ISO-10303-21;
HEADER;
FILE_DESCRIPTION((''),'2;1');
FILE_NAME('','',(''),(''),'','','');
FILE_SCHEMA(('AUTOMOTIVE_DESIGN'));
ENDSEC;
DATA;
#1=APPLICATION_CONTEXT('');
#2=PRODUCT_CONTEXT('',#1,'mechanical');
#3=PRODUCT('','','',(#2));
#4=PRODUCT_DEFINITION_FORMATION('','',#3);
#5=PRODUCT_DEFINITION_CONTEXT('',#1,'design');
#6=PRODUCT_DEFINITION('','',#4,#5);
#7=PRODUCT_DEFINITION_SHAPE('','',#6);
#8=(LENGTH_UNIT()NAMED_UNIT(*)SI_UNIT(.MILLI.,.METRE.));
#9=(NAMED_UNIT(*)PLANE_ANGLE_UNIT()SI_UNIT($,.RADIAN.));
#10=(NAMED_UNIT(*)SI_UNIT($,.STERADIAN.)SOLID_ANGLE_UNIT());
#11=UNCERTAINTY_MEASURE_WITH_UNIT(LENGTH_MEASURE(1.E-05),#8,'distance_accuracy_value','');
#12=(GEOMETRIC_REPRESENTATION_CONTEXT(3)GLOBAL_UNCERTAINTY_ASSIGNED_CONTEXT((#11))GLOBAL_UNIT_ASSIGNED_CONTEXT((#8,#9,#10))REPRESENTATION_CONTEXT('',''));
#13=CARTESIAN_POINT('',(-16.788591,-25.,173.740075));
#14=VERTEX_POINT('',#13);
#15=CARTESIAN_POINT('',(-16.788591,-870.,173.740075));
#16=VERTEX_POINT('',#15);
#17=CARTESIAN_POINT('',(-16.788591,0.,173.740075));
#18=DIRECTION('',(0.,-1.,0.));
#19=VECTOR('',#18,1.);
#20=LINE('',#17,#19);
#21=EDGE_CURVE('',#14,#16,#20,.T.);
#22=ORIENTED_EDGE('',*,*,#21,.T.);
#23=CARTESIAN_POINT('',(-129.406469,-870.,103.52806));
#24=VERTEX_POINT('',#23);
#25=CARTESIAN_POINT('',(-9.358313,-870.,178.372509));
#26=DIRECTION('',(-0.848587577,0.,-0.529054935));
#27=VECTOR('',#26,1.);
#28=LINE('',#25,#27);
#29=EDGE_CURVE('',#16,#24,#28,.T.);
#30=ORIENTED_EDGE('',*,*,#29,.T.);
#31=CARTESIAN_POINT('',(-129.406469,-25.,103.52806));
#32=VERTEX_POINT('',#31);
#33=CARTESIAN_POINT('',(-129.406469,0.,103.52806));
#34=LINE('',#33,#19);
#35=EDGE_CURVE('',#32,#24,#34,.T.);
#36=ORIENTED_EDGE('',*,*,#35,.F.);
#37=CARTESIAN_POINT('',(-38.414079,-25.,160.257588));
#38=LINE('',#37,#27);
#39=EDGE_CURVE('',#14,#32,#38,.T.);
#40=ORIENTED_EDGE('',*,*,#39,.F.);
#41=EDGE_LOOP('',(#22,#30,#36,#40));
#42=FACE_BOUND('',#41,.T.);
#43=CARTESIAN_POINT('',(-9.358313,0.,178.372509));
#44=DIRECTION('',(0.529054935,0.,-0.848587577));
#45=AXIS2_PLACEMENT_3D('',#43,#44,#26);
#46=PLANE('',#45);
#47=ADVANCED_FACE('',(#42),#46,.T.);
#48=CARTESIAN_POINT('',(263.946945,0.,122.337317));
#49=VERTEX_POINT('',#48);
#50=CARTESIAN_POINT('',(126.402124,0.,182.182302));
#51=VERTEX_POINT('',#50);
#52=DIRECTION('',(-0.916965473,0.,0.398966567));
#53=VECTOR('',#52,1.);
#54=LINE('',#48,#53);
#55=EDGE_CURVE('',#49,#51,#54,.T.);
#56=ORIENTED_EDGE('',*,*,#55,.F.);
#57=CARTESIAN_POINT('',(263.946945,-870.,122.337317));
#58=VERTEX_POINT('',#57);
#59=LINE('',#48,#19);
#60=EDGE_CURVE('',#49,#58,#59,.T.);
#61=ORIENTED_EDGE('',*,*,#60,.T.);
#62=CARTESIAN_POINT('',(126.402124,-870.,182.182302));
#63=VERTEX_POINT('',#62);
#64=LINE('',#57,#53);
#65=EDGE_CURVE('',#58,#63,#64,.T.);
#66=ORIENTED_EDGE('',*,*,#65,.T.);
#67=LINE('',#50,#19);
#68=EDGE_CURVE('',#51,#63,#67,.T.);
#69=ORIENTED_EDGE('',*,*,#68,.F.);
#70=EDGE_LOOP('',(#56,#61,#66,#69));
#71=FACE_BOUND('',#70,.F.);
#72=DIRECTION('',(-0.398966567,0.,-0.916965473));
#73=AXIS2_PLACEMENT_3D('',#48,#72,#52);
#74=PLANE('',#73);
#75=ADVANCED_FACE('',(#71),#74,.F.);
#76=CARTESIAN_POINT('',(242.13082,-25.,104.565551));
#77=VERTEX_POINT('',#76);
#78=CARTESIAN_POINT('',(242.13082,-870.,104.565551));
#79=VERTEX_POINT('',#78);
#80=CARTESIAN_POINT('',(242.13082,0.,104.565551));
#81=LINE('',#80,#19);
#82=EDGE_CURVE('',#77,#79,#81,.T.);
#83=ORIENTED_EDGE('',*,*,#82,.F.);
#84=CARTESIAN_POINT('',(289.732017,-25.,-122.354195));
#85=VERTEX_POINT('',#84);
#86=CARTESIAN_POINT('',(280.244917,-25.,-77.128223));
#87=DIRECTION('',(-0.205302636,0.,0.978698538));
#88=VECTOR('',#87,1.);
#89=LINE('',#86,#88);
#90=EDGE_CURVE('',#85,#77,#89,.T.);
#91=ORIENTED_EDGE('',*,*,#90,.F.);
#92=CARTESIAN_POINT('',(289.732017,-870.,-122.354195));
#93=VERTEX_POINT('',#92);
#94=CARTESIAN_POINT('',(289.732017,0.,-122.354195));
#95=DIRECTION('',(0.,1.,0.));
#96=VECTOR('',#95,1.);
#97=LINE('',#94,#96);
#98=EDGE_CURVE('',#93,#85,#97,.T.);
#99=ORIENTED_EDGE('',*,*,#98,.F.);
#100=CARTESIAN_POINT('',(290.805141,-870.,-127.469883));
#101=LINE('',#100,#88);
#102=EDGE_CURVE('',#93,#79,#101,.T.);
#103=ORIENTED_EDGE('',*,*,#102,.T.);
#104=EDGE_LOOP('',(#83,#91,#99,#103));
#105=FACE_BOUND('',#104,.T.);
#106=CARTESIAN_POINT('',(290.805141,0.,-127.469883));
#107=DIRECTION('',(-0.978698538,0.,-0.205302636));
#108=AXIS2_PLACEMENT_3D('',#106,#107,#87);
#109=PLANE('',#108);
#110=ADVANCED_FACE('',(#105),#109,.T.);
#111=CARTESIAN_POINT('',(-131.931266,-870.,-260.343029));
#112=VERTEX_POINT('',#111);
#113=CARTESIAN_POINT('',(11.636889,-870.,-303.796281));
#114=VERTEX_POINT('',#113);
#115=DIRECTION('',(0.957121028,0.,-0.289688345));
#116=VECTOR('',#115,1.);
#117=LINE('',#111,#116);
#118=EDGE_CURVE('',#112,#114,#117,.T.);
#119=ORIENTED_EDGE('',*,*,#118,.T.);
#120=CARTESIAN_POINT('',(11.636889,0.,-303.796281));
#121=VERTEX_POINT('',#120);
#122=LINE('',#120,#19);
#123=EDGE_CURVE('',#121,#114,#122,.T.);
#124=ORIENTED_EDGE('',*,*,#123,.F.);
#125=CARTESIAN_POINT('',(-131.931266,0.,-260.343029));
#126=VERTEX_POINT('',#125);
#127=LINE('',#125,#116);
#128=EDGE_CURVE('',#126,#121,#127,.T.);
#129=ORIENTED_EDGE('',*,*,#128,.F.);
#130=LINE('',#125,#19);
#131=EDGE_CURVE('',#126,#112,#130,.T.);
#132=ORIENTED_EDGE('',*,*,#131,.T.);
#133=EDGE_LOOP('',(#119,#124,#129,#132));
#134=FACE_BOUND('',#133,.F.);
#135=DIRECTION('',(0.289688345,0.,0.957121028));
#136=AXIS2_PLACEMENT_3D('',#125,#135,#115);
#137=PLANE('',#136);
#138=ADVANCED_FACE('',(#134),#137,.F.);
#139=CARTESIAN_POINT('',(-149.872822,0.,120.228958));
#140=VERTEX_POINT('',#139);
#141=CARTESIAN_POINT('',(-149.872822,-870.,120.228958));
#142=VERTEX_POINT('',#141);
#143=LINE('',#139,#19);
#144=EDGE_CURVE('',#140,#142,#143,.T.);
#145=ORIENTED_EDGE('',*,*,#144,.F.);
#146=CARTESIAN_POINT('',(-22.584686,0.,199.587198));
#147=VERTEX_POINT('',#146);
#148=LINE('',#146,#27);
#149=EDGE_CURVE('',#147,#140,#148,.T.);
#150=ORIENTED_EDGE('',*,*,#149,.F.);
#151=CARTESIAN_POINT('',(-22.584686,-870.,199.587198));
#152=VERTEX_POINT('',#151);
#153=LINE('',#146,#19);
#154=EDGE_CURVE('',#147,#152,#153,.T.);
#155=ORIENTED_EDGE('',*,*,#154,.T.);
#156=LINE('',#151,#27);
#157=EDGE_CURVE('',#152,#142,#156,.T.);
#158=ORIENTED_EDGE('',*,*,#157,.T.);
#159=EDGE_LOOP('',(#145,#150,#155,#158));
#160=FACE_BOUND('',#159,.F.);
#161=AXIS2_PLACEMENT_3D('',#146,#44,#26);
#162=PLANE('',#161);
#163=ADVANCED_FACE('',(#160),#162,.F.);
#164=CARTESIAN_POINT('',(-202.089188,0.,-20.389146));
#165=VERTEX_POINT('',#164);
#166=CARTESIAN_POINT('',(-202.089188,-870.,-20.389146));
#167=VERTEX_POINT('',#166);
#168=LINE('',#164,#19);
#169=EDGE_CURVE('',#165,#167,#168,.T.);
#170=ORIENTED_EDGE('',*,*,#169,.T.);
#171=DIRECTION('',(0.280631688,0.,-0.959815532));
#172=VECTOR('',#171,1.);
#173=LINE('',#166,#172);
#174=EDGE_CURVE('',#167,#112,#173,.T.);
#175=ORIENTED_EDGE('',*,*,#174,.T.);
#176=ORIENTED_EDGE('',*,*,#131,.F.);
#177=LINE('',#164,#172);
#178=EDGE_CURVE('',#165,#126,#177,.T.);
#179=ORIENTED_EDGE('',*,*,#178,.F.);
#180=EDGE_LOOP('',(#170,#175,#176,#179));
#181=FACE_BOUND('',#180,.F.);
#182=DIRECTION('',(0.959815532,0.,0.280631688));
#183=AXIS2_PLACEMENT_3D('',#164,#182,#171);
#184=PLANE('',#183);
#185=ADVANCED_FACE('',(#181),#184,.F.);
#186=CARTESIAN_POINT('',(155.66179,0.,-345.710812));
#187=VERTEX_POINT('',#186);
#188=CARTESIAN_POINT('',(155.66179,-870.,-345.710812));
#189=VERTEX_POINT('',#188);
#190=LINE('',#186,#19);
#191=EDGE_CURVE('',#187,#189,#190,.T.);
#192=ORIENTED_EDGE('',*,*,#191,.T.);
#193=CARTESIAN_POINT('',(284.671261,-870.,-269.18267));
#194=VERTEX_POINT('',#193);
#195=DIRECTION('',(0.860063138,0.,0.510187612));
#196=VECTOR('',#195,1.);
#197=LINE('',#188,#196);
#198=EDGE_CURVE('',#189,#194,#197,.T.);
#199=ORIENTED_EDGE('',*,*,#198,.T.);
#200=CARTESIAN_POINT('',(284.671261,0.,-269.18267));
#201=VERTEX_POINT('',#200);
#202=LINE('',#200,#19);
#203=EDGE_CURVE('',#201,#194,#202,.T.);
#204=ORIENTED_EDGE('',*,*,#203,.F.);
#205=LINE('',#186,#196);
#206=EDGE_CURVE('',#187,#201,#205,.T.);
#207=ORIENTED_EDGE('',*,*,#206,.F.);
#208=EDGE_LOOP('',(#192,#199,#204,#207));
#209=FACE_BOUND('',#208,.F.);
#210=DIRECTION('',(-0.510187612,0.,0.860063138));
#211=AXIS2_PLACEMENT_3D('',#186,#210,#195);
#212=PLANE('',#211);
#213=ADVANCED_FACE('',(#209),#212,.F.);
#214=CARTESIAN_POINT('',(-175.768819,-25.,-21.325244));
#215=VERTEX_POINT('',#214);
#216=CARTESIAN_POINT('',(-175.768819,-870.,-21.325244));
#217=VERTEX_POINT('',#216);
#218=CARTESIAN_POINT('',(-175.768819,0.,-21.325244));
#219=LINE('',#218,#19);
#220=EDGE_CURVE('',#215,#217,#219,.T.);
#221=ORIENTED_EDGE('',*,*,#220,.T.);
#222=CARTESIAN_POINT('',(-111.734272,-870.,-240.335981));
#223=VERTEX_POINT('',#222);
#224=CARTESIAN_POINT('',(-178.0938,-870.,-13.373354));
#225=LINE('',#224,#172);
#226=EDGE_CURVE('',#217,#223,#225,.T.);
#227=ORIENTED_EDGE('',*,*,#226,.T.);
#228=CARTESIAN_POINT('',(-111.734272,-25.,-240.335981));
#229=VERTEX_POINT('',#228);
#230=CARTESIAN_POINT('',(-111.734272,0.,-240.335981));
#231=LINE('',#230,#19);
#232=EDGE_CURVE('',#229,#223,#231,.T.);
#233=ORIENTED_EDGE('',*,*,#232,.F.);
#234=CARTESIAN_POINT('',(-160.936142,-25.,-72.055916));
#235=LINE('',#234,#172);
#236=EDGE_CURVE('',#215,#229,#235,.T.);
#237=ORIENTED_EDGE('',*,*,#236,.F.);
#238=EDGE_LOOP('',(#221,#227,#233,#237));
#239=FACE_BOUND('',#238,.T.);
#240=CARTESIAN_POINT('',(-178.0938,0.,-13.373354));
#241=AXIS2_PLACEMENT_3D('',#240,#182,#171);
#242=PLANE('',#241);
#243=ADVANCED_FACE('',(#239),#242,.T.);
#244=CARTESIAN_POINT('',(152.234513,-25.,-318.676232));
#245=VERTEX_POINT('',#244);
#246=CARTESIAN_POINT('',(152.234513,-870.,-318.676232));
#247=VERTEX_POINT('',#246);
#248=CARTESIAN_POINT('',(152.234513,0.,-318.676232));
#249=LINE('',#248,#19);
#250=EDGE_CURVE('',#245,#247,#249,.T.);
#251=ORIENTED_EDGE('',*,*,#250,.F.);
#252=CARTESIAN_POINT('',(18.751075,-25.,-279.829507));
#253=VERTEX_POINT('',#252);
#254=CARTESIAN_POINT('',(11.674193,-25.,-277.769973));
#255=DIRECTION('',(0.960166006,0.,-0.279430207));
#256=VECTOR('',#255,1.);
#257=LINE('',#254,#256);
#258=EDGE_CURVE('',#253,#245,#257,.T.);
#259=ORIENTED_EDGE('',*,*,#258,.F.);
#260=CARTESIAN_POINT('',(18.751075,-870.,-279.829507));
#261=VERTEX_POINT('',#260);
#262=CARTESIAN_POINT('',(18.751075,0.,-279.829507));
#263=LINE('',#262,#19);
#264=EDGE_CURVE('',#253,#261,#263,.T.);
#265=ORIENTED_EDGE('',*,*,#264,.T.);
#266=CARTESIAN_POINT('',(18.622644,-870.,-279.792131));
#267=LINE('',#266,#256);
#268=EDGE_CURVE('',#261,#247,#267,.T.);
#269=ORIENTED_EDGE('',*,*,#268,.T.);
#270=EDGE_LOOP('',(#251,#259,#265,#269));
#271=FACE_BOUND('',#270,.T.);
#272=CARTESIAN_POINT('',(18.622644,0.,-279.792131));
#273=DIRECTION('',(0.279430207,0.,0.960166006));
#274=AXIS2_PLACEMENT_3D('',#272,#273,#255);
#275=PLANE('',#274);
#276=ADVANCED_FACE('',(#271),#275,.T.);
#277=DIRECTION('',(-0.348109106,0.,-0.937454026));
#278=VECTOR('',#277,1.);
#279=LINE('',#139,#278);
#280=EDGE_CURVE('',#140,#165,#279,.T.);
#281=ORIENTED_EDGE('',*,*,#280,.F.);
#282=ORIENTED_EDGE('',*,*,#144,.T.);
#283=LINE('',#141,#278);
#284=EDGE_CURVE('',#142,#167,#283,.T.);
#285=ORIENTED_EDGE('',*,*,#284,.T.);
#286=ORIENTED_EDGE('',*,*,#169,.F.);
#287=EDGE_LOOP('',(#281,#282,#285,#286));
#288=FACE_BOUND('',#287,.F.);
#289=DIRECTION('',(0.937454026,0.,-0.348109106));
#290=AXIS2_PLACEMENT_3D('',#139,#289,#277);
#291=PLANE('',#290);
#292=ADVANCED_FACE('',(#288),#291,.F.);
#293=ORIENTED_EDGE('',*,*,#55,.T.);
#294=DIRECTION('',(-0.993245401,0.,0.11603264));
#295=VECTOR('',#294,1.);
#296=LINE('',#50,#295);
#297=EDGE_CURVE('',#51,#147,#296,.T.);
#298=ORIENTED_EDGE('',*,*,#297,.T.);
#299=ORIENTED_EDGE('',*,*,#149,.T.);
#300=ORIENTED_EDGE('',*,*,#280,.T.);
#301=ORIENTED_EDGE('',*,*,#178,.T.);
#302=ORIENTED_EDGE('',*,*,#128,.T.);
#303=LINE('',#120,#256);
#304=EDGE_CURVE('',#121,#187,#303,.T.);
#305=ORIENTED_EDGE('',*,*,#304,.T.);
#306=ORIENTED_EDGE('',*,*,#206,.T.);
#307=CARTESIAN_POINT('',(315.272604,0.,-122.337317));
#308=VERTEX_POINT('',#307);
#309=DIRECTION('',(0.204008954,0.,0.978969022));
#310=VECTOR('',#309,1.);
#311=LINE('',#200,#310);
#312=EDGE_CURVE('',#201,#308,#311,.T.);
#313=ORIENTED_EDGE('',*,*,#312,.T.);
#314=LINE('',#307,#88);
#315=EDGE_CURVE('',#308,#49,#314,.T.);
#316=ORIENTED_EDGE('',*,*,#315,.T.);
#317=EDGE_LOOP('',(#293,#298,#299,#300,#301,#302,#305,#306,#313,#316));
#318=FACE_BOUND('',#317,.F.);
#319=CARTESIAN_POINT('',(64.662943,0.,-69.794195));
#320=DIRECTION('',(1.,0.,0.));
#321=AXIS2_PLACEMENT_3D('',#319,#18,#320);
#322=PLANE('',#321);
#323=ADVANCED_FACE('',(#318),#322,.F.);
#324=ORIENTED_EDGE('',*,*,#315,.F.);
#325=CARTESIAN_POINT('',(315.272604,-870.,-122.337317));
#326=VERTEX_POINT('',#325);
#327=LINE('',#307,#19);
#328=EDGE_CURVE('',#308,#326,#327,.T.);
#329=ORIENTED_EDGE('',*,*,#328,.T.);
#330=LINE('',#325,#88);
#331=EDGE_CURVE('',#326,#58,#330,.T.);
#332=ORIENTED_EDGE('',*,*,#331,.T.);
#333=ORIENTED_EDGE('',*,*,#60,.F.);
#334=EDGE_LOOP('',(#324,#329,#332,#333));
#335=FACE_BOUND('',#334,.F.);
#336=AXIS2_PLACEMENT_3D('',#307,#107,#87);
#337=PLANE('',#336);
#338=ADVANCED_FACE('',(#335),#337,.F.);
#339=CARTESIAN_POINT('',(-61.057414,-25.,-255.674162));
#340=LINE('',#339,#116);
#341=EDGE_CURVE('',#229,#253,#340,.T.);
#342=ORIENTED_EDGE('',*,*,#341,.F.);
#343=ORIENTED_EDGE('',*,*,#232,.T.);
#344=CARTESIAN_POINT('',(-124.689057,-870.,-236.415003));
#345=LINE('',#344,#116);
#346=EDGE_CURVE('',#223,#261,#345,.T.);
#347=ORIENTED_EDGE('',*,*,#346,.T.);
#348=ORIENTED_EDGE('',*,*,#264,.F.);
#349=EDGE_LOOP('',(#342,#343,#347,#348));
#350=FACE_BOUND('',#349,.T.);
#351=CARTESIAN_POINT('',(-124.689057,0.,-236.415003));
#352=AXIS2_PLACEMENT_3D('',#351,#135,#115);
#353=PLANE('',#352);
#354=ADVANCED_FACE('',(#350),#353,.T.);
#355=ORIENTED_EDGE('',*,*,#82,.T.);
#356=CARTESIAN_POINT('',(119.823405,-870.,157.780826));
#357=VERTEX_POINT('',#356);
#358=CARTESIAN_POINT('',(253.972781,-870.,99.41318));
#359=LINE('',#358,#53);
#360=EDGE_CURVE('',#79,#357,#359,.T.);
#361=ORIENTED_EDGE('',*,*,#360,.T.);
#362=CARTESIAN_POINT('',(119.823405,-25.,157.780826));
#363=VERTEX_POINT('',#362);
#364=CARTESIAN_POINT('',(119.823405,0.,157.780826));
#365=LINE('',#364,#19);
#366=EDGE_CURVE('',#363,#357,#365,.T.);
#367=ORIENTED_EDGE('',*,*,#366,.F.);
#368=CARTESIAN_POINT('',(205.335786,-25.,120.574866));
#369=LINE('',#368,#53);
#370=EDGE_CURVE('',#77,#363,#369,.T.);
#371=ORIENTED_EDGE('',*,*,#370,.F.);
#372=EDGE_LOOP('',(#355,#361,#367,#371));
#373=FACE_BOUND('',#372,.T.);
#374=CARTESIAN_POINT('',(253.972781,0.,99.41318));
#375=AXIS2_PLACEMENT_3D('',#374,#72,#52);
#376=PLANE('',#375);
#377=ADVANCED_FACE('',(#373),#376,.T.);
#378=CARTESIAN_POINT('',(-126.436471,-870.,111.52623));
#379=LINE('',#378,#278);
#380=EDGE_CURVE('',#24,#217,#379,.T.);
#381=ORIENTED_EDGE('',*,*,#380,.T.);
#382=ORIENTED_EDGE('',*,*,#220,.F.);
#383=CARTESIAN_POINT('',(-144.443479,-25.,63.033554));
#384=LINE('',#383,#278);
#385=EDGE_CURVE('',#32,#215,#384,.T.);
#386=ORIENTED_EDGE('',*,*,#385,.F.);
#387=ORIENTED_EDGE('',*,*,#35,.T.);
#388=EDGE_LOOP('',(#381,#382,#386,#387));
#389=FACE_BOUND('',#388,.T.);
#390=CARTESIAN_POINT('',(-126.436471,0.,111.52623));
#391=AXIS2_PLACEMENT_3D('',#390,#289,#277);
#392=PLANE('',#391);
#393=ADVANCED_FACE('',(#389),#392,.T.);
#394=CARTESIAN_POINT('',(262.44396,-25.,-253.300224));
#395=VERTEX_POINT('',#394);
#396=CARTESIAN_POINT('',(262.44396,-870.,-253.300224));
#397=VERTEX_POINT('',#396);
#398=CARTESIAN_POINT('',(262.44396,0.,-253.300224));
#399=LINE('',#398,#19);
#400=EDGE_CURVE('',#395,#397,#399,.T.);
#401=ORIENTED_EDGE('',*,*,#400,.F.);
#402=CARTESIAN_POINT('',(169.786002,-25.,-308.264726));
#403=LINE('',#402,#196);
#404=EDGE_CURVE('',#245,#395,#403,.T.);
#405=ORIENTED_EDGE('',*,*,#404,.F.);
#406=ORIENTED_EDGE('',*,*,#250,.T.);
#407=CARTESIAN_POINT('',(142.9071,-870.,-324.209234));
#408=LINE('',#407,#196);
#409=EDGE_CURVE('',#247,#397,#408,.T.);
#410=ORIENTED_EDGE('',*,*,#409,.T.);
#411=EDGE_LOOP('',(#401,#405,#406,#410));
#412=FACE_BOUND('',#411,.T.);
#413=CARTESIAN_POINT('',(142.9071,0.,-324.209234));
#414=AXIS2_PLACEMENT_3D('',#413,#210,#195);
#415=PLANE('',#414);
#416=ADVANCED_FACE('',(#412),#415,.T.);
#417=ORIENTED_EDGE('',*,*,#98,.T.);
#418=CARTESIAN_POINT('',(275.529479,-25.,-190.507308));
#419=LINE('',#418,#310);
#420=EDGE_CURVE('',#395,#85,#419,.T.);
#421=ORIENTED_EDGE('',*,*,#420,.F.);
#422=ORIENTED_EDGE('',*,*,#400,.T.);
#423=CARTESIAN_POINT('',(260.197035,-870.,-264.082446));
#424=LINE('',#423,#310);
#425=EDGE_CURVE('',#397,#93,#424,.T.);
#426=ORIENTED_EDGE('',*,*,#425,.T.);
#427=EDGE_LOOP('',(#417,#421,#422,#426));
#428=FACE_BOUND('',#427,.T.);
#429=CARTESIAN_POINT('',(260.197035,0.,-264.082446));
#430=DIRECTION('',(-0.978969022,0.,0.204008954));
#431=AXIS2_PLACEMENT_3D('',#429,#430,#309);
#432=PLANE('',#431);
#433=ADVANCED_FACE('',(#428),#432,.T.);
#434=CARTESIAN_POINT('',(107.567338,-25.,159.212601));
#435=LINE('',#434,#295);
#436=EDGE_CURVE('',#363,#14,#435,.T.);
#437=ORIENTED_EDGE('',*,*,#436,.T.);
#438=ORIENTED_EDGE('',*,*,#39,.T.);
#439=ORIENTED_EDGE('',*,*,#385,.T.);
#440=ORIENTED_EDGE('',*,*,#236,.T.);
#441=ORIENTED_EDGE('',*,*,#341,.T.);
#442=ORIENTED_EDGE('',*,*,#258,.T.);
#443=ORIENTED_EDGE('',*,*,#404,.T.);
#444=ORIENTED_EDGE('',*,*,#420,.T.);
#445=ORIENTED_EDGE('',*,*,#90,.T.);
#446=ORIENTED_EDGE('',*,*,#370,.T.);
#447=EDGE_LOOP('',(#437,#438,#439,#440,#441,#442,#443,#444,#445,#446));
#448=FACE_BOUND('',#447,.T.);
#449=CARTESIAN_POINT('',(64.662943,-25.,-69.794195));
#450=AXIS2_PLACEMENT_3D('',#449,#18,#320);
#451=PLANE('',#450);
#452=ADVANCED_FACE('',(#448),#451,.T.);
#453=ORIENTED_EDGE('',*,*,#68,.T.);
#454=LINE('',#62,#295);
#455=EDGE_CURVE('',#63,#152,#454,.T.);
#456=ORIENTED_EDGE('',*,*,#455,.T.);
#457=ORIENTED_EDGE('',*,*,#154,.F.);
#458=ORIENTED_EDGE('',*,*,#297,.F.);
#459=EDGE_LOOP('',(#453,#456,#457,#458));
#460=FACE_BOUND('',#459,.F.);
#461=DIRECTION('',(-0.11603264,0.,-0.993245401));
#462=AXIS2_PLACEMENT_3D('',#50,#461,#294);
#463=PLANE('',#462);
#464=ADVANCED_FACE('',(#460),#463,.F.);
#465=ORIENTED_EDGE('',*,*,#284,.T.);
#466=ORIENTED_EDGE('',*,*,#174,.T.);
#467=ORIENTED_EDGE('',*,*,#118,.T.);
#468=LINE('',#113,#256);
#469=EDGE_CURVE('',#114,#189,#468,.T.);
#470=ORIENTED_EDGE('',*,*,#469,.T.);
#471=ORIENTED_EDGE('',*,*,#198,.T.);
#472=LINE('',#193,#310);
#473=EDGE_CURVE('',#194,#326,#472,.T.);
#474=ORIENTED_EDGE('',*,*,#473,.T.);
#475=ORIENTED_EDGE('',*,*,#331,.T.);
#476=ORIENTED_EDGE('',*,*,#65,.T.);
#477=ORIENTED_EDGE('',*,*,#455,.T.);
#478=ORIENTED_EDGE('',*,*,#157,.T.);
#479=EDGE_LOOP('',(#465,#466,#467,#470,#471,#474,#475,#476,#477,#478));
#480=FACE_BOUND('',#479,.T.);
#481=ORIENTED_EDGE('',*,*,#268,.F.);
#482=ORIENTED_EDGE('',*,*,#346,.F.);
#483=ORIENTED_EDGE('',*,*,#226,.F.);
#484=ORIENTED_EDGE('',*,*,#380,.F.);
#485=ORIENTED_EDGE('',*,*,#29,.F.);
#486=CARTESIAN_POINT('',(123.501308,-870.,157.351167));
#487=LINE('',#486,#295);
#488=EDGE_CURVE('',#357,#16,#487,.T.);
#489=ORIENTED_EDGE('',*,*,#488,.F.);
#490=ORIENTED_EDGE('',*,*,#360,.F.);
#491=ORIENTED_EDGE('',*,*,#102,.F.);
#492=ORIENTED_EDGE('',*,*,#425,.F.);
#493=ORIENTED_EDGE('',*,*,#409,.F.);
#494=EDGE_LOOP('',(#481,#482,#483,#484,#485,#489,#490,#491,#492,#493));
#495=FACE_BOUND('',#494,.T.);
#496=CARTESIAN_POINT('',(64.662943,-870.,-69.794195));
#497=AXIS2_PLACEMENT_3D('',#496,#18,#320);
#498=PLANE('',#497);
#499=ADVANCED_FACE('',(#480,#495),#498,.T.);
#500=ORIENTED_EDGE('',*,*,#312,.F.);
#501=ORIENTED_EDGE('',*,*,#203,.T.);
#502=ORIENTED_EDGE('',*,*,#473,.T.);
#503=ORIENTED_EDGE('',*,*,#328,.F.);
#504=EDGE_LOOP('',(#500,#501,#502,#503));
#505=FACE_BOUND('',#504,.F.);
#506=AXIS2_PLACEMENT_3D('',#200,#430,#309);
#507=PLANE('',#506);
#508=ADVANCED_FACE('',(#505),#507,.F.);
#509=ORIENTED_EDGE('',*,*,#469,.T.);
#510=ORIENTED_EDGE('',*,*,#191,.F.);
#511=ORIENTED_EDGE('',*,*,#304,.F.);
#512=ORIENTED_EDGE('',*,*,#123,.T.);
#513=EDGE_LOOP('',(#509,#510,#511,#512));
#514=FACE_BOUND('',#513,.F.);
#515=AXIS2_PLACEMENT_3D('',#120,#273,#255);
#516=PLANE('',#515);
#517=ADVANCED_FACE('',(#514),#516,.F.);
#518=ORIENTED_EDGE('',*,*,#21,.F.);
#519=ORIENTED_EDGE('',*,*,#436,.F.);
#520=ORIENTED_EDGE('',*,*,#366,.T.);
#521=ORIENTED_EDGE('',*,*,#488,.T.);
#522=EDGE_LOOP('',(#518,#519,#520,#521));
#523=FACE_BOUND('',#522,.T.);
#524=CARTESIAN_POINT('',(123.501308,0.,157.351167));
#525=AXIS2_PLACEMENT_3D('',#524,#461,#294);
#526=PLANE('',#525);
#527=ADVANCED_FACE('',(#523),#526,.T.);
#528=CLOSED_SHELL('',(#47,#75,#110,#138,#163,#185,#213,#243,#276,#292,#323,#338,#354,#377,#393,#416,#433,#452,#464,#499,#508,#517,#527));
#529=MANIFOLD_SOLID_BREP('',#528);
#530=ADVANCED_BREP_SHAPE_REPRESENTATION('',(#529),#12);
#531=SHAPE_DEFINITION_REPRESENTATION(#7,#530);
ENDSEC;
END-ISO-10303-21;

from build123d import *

# Parameters (mm, degrees)
F1_DEPTH = 870
F2_T     = -25


with BuildPart() as f1:
    # F0 (on Front) → F1 (new body)
    with BuildSketch(Plane.XZ):
        Polygon((315.272604, -122.337317), (263.946945, 122.337317), (126.402124, 182.182302), (-22.584686, 199.587198), (-149.872822, 120.228958), (-202.089188, -20.389146), (-131.931266, -260.343029), (11.636889, -303.796281), (155.66179, -345.710812), (284.671261, -269.18267), align=None)
    extrude(amount=F1_DEPTH)

    # F2
    f2_openings = [f1.faces().sort_by_distance(p)[0] for p in [
        (64.144057, -870, -68.345296),
    ]]
    offset(amount=F2_T, openings=f2_openings)


solid = f1.part
